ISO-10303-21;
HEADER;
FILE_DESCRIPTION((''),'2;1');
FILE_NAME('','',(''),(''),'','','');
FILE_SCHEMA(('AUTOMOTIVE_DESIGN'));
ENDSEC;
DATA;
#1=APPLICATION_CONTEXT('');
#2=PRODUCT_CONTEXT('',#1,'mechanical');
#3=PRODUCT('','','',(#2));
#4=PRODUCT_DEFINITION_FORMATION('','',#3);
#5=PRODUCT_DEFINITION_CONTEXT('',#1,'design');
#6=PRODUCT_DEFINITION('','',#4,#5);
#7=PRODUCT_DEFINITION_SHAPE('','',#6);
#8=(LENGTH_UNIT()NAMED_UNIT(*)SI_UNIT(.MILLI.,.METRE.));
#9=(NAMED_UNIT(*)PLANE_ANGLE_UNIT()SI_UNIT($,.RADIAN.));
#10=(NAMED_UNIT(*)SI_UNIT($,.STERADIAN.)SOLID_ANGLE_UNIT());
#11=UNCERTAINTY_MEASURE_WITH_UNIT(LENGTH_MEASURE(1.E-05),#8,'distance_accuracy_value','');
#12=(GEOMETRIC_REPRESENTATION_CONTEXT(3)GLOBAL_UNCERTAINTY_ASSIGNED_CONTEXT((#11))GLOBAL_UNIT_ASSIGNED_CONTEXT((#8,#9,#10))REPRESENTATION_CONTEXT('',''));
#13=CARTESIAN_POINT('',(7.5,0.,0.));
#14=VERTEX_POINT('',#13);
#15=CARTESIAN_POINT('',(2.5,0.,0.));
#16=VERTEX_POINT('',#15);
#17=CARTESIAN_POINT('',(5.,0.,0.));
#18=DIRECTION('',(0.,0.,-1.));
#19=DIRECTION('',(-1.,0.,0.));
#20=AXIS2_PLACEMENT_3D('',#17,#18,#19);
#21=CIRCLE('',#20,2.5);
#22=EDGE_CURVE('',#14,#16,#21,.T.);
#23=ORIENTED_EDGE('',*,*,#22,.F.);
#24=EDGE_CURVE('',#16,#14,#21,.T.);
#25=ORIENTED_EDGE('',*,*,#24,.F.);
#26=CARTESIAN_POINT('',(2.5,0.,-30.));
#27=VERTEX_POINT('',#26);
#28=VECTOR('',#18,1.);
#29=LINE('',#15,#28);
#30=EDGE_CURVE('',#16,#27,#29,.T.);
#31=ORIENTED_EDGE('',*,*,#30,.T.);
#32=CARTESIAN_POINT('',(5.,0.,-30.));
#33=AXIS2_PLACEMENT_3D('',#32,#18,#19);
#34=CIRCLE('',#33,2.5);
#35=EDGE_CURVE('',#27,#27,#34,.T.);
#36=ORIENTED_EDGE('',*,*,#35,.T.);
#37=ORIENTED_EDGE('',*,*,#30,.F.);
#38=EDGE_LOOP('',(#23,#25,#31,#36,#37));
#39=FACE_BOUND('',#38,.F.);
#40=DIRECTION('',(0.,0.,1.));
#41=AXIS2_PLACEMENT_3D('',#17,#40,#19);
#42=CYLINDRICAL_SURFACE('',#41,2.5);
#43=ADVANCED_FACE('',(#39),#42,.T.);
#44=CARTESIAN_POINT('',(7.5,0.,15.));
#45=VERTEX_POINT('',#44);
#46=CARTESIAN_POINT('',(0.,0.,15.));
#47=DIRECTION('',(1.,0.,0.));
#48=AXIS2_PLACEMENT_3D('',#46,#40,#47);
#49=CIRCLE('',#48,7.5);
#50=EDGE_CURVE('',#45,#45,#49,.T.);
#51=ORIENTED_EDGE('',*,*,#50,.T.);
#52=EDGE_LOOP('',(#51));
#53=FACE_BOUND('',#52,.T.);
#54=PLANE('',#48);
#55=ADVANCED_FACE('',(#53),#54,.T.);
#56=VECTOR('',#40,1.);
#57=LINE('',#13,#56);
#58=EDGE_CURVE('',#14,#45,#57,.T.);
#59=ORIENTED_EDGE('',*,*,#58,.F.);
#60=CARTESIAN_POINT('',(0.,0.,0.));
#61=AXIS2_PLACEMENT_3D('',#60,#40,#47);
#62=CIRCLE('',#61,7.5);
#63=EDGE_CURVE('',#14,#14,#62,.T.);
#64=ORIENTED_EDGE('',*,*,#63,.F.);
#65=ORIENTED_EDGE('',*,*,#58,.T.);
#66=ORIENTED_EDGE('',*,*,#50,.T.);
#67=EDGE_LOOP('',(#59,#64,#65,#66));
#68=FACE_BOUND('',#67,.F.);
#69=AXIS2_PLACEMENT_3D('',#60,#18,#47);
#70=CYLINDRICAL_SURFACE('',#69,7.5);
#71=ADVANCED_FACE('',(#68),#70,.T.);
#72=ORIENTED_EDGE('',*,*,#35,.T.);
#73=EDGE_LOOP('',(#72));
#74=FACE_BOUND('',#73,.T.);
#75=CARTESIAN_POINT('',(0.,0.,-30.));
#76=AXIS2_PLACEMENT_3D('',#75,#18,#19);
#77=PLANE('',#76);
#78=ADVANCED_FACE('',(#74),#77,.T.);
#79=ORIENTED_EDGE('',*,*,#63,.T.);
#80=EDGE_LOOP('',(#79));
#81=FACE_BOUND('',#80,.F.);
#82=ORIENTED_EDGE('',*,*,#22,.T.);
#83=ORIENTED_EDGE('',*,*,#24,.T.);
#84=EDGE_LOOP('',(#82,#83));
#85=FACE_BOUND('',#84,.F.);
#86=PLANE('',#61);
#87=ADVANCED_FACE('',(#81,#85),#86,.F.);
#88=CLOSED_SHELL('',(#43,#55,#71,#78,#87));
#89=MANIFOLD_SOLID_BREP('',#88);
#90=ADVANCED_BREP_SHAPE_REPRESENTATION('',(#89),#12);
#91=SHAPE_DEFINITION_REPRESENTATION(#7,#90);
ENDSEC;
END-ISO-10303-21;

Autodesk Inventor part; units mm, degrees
ref_plane "YZ Plane" through (0, 0, 0) normal (1, 0, 0) x (0, 1, 0)
ref_plane "XZ Plane" through (0, 0, 0) normal (0, 1, 0) x (-1, 0, 0)
ref_plane "XY Plane" through (0, 0, 0) normal (0, 0, 1) x (1, 0, 0)
sketch "草圖1" plane through (0, 0, 0) normal (0, 0, 1) x (1, 0, 0)
  circle A0 centre (0, 0) radius 7.5
  dimension "d0" = 15
extrude "擠出1" add sketch "草圖1" along normal blind 15
sketch "草圖2" plane through (0, 0, 0) normal (0, 0, -1) x (-1, 0, 0)
  circle A0 centre (-5, 0) radius 2.5
  point P0 (0, 0)
  dimension "d3" = 5
  dimension "d4" = 5
extrude "擠出2" add sketch "草圖2" along normal blind 30
properties part number "t3"
